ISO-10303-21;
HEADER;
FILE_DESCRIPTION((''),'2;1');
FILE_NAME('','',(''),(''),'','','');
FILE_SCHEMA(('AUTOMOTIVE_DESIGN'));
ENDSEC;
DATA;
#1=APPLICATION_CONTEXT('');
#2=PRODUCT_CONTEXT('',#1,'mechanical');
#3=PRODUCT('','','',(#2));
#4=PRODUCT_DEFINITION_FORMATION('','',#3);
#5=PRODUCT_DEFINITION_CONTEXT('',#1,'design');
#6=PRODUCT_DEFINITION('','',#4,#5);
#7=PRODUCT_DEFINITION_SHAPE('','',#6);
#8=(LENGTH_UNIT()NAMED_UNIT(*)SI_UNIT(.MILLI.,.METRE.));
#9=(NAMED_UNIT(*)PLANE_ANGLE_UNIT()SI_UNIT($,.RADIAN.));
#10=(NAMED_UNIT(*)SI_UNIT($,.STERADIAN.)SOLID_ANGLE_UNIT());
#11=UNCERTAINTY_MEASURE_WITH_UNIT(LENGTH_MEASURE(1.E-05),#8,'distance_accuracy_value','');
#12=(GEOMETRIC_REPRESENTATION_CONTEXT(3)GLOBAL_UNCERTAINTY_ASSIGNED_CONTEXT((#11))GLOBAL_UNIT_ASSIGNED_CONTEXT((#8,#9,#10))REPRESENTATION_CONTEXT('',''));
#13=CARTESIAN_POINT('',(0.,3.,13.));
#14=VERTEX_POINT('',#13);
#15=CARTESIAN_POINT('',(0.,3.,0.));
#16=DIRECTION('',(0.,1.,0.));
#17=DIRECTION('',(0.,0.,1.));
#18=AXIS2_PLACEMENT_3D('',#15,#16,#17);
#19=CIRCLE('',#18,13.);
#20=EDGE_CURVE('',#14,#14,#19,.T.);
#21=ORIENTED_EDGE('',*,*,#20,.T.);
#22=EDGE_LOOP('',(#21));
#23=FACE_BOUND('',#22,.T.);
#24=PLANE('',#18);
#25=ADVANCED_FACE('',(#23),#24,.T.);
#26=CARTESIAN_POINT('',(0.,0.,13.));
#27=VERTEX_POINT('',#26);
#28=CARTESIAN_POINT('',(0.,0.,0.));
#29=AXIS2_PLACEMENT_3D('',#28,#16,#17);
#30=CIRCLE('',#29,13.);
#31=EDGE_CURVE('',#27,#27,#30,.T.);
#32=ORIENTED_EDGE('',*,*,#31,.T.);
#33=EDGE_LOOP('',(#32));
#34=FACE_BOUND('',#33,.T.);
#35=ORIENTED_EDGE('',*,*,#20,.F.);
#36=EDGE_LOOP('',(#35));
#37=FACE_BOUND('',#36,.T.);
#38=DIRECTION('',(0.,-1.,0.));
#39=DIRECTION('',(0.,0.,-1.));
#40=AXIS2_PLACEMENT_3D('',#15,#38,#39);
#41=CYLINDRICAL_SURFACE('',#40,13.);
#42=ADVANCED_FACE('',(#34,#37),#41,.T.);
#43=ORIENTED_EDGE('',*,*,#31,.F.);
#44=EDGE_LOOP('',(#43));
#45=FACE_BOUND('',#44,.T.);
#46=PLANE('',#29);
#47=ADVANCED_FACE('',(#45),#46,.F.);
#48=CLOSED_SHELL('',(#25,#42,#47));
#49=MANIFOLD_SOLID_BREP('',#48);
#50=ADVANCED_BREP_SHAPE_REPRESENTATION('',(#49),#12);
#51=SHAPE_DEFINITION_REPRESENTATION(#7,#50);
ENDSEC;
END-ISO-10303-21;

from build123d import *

# Parameters (mm, degrees)
SKETCH1_R           = 13
BOSS_EXTRUDE1_DEPTH = 3


with BuildPart() as part:
    # Sketch1 → Boss-Extrude1 (new body)
    with BuildSketch(Plane(origin=(0, 0, 0), x_dir=(1, 0, 0), z_dir=(0, 1, 0))):
        Circle(SKETCH1_R)
    extrude(amount=BOSS_EXTRUDE1_DEPTH)


solid = part.part
